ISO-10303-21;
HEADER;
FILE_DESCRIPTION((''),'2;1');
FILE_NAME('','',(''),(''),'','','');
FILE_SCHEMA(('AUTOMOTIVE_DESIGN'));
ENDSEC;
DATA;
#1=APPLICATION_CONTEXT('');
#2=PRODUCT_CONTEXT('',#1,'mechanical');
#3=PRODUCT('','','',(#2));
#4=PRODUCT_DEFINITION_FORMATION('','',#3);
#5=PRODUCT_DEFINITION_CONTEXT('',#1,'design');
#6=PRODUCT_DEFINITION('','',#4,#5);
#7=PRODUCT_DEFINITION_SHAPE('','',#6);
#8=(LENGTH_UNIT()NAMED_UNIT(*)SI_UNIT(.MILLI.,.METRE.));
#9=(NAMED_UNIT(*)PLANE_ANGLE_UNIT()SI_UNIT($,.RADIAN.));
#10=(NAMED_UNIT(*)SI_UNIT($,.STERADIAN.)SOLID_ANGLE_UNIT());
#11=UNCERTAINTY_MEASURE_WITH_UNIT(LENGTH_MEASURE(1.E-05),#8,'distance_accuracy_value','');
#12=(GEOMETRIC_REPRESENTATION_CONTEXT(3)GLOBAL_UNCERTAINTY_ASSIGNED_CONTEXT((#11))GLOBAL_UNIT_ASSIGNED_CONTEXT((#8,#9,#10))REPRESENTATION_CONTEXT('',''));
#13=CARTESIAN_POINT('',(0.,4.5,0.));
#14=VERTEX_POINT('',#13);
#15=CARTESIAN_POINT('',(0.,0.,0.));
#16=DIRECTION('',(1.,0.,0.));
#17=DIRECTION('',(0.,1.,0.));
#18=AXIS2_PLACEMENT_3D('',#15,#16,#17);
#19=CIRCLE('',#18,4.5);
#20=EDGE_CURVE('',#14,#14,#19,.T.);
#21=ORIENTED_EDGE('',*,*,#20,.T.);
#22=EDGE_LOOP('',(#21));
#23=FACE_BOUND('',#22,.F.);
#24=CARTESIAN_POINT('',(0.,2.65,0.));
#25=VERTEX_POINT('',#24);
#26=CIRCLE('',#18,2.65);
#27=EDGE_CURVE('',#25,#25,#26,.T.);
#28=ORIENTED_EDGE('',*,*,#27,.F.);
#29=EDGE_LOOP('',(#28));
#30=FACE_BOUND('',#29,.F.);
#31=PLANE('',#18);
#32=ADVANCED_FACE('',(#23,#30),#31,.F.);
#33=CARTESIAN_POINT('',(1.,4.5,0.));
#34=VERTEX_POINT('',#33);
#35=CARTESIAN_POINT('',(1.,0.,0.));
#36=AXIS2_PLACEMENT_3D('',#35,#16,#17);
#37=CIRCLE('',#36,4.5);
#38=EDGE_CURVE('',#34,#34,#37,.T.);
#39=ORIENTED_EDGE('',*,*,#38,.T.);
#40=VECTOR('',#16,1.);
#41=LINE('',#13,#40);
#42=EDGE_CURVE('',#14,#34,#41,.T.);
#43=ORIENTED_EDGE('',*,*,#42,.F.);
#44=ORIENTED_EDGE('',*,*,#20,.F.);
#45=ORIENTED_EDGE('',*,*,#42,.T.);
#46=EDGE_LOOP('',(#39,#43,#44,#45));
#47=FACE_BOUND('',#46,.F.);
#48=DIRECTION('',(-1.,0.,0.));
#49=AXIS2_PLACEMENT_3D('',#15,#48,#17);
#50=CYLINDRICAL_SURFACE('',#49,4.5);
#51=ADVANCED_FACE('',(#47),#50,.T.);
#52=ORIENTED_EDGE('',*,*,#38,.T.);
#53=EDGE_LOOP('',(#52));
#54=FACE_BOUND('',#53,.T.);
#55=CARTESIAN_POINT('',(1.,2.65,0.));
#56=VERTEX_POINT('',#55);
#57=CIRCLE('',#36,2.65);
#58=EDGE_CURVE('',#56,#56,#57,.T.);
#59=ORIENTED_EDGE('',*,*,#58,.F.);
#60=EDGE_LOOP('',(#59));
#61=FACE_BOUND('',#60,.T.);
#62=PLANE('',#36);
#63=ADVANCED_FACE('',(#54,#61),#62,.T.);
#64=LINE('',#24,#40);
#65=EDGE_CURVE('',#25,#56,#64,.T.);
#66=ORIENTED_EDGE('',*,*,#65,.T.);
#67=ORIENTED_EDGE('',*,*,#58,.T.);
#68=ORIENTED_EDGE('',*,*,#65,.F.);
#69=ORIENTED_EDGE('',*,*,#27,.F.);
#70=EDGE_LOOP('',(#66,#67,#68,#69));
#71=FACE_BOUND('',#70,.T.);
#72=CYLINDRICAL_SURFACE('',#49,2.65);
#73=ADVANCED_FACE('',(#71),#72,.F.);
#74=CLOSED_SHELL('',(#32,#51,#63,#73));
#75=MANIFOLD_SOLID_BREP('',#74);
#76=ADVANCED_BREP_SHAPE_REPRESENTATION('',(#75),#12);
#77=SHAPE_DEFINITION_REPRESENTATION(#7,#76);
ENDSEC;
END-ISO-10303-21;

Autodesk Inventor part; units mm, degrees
ref_plane "YZ Plane" through (0, 0, 0) normal (1, 0, 0) x (0, 1, 0)
ref_plane "XZ Plane" through (0, 0, 0) normal (0, 1, 0) x (-1, 0, 0)
sketch "Szkic" plane through (0, 0, 0) normal (1, 0, 0) x (0, 1, 0)
  circle A0 centre (0, 0) radius 4.5
  circle A1 centre (0, 0) radius 2.65
  dimension "d0" = 5.3
  dimension "d1" = 9
extrude "Bryła" add sketch "Szkic" along normal blind 1
ref_plane "Work Plane1" through (0, 0, 0) normal (0, 0, 1) x (1, 0, 0)
equation "\"d0\" = SD1"
equation "\"d1\" = SD2"
equation "\"d2\" = SD"
equation "\"SD1\" = 5.3"
equation "\"SD2\" = 9"
equation "\"SD\" = 1"
equation "\"NND\" = 5"
properties part number "ISO 7092 - ST 5 - 140 HV" material "Stal nierdzewna"
